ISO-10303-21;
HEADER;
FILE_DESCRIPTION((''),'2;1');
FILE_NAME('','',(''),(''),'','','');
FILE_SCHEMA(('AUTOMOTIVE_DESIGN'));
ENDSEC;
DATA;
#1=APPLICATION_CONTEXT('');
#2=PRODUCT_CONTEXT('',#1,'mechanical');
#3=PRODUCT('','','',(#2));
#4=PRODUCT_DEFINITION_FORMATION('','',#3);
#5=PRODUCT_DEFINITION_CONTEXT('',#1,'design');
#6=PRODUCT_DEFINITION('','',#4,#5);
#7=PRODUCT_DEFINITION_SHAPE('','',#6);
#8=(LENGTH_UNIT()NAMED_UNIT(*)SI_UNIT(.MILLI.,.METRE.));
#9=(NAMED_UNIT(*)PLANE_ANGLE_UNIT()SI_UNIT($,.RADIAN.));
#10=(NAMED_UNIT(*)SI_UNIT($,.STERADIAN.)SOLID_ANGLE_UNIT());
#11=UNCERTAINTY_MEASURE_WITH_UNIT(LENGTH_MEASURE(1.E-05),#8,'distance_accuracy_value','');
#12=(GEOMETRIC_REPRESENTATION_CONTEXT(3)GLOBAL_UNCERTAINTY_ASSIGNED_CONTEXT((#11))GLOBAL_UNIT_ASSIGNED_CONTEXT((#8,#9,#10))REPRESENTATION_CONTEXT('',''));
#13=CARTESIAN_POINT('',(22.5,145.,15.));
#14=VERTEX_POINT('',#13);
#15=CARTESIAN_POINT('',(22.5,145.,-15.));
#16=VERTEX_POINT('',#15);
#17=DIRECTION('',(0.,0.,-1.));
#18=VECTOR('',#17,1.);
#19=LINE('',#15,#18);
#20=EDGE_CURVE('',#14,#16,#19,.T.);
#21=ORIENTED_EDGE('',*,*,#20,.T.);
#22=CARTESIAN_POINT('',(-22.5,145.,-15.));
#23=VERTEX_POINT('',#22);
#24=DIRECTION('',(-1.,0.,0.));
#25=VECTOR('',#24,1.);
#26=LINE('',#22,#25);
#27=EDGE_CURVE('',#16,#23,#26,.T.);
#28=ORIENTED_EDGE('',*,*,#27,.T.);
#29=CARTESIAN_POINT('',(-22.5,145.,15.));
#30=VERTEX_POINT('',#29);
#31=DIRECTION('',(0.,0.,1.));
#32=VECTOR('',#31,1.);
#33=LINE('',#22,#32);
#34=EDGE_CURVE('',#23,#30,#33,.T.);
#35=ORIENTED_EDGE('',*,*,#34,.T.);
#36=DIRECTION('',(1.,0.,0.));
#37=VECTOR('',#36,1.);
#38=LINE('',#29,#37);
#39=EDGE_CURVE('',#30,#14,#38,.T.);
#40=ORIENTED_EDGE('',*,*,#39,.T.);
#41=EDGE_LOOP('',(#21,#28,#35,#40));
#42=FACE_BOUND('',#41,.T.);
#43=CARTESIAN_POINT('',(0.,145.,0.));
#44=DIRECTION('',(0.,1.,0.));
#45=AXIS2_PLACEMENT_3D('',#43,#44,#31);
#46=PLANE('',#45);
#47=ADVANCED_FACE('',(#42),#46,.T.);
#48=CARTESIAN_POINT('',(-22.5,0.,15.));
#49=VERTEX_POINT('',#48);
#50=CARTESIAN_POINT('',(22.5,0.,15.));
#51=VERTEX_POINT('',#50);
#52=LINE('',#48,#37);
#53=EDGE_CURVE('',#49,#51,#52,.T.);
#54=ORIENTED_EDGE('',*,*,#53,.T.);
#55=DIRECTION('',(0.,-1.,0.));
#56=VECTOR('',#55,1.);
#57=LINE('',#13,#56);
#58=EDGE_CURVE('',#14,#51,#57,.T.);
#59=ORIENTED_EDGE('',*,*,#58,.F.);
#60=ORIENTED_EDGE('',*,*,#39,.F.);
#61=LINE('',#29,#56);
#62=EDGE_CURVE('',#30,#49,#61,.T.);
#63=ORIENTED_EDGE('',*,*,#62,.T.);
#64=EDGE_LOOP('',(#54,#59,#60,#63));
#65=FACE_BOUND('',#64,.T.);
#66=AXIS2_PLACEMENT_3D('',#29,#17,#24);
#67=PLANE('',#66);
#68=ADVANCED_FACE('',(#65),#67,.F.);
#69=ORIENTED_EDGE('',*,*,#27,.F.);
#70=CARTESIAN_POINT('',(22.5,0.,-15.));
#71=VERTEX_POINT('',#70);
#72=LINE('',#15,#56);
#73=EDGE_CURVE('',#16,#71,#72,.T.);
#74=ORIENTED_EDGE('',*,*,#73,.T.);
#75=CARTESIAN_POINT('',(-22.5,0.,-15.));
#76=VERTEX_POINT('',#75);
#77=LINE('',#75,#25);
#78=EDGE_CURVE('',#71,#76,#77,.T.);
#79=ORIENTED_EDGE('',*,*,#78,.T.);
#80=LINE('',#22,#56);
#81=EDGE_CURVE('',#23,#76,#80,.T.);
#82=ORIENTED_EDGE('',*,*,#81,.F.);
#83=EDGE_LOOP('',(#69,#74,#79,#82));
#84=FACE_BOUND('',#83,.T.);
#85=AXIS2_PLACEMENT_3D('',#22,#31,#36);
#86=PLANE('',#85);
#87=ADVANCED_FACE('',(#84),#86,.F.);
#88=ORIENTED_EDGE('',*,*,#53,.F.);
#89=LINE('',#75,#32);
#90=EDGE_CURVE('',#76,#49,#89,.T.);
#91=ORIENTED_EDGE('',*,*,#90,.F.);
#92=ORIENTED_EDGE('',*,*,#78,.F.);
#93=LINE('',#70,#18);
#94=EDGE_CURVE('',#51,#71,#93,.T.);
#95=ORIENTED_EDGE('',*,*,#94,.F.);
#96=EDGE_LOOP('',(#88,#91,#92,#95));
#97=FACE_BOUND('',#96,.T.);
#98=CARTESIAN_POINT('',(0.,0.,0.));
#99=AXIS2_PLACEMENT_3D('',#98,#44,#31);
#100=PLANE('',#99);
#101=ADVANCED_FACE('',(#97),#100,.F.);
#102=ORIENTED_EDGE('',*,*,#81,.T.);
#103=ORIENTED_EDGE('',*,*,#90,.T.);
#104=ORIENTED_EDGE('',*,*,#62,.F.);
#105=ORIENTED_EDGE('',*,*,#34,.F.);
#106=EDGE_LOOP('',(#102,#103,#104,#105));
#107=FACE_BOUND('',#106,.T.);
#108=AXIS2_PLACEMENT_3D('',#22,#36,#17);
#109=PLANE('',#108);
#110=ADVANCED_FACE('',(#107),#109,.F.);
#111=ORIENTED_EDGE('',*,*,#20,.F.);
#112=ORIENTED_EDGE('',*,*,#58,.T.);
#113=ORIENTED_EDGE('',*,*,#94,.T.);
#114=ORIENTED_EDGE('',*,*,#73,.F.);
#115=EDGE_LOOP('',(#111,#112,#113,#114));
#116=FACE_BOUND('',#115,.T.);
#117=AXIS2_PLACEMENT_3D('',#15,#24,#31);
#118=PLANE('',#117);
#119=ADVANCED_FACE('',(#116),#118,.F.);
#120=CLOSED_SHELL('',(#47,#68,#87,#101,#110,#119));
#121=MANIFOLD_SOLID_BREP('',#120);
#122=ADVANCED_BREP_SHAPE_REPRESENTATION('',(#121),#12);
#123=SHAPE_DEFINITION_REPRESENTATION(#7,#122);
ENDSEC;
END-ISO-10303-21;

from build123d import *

# Parameters (mm, degrees)
SKETCH_1_W      = 45
SKETCH_1_H      = 30
EXTRUDE_1_DEPTH = 145


with BuildPart() as part:
    # 草图1 → 凸台-拉伸1 (new body)
    with BuildSketch(Plane(origin=(0, 0, 0), x_dir=(1, 0, 0), z_dir=(0, 1, 0))):
        Rectangle(SKETCH_1_W, SKETCH_1_H)
    extrude(amount=EXTRUDE_1_DEPTH)


solid = part.part
